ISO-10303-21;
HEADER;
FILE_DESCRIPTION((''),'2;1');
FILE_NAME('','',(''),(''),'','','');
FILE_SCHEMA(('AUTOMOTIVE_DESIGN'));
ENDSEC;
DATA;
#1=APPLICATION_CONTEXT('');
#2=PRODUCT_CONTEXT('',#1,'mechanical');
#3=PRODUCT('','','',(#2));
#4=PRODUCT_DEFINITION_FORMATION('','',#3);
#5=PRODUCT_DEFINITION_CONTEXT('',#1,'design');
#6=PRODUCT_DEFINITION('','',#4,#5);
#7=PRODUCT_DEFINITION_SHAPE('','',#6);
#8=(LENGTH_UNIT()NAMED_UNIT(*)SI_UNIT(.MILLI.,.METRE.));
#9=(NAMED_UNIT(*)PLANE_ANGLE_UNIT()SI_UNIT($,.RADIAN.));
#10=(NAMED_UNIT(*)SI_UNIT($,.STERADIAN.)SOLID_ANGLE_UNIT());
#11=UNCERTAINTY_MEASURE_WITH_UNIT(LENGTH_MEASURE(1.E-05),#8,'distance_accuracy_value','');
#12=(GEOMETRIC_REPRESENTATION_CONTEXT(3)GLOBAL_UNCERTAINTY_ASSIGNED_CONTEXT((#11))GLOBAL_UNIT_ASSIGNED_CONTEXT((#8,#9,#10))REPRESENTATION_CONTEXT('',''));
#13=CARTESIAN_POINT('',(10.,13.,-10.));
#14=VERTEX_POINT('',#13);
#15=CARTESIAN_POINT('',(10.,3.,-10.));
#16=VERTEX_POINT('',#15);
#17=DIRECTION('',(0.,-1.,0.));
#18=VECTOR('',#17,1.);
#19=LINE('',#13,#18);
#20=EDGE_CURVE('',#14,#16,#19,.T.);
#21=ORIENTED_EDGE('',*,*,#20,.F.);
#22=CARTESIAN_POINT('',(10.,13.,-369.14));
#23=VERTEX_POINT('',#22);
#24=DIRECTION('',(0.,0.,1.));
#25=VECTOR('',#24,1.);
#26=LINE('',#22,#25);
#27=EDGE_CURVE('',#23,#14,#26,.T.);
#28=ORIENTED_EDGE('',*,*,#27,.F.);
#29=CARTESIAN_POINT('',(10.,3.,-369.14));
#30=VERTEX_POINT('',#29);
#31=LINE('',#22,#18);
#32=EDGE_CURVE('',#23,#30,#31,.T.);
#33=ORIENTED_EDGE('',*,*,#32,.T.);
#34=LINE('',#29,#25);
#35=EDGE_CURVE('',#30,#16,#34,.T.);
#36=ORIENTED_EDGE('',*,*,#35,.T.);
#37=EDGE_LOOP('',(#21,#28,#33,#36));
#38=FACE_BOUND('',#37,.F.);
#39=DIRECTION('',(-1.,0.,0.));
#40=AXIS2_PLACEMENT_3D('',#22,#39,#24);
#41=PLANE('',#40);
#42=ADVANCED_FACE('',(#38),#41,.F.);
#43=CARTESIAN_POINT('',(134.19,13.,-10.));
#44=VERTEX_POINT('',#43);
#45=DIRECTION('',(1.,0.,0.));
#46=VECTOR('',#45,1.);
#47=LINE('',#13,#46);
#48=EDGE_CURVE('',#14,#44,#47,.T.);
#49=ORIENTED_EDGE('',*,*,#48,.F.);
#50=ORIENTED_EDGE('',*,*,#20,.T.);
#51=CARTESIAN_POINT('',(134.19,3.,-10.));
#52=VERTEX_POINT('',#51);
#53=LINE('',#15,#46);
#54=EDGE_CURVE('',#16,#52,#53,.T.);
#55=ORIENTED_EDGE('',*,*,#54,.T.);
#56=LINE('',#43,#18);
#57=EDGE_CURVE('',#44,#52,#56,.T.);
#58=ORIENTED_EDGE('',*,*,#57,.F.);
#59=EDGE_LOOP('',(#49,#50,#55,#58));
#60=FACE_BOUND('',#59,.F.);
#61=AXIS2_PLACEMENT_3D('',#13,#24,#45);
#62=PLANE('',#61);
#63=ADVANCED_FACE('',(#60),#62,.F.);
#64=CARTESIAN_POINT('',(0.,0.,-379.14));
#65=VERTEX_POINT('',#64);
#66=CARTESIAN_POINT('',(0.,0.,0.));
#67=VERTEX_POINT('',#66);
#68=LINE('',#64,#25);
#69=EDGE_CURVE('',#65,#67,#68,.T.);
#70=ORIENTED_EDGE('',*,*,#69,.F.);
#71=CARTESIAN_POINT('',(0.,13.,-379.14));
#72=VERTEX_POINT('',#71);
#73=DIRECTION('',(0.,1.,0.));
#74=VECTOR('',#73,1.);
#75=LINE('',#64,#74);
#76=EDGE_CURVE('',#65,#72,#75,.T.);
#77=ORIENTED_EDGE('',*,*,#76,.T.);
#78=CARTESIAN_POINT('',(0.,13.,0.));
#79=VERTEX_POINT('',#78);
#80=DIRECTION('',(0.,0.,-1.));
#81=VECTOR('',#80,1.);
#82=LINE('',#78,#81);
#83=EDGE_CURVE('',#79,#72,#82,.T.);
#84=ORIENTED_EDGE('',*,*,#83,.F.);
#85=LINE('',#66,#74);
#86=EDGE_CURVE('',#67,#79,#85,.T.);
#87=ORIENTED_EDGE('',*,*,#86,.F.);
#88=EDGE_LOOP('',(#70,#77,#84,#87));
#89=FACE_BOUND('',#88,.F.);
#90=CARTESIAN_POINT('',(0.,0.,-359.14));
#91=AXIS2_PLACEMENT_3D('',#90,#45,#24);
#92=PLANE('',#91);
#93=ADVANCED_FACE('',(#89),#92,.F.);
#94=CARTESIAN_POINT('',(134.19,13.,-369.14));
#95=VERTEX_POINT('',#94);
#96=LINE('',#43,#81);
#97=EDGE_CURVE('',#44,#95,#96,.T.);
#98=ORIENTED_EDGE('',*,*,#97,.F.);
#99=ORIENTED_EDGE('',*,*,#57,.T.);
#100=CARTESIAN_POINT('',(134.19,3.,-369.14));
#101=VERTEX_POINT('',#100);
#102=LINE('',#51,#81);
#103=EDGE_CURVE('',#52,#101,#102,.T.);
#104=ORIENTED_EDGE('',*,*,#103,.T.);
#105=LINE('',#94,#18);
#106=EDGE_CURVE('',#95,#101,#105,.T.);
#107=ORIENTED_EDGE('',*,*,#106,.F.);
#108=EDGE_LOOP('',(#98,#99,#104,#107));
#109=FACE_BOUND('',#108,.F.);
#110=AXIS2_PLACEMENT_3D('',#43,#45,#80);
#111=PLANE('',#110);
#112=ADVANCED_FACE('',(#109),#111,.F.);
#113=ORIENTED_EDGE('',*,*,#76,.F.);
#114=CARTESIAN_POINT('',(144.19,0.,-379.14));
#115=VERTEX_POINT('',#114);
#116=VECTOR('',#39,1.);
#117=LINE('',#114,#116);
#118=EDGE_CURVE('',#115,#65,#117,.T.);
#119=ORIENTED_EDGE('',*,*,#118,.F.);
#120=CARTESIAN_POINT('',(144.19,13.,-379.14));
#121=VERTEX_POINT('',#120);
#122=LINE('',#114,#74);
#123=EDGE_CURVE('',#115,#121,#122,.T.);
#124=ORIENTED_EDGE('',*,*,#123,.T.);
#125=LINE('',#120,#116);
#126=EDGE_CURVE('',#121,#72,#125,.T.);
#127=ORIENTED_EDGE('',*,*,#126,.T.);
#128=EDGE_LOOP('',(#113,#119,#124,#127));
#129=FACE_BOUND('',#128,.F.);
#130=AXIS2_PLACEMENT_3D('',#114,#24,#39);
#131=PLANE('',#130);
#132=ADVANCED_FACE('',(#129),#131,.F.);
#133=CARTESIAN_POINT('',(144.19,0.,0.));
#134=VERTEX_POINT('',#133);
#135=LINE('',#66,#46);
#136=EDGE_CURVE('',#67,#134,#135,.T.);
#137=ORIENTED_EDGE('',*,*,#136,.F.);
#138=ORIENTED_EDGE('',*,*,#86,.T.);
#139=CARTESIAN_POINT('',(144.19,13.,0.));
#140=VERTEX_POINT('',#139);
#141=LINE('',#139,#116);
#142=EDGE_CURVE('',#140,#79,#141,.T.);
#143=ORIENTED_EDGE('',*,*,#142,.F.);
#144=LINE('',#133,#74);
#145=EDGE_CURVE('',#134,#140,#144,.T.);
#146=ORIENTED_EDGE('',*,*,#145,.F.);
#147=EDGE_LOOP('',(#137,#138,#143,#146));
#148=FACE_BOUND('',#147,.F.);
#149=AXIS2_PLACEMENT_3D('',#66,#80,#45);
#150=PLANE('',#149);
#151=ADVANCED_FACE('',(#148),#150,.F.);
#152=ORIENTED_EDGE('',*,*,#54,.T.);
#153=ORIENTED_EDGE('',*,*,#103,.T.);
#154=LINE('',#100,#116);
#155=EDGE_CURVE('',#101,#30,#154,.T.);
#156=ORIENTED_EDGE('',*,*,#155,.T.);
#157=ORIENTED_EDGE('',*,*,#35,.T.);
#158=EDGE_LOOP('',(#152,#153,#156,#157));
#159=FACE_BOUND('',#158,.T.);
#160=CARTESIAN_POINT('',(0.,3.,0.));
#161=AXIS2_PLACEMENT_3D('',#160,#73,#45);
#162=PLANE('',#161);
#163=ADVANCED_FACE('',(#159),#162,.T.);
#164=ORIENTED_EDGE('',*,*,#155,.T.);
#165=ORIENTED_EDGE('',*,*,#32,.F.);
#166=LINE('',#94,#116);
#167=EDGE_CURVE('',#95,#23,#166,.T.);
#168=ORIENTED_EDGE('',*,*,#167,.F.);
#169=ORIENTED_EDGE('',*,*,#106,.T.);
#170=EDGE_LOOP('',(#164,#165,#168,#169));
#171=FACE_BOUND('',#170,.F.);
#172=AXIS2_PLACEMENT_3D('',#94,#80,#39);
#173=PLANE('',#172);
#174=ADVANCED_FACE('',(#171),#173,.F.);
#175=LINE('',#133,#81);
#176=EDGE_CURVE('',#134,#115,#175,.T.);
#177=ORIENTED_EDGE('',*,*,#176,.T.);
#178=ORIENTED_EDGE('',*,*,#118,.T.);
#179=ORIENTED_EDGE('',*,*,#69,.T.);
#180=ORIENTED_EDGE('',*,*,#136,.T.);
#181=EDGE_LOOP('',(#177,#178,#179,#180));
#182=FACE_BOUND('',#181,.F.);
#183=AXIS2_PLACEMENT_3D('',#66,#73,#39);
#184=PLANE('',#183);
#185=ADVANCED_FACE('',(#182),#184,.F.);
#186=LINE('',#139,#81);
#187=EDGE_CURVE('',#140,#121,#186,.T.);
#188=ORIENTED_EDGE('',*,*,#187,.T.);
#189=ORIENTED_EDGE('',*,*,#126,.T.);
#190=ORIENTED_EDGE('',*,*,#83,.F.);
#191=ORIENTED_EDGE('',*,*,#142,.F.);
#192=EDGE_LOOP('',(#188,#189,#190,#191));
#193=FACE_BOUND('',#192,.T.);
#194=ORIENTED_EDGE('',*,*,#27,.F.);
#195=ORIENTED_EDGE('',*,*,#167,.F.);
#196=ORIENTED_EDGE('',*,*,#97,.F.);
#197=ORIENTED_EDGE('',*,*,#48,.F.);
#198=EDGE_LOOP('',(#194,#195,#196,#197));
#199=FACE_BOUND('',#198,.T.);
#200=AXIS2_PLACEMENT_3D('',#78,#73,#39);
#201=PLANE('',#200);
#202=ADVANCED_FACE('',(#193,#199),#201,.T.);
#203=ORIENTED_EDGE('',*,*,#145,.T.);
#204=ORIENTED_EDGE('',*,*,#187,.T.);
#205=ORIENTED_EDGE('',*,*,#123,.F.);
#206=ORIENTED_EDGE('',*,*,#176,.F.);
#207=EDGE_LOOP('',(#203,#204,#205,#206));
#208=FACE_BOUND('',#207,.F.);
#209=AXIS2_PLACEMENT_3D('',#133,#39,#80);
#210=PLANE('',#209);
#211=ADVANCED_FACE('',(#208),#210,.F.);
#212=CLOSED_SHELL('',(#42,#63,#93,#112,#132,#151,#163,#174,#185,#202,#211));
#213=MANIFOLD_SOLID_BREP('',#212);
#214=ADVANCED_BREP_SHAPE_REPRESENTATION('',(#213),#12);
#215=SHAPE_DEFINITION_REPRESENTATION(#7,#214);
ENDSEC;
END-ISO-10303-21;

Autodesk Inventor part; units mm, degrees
ref_plane "YZ Plane" through (0, 0, 0) normal (1, 0, 0) x (0, 1, 0)
ref_plane "XZ Plane" through (0, 0, 0) normal (0, 1, 0) x (-1, 0, 0)
ref_plane "XY Plane" through (0, 0, 0) normal (0, 0, 1) x (1, 0, 0)
sketch "Sketch1" plane through (0, 0, 0) normal (0, 1, 0) x (-1, 0, 0)
  point P0 (0, 0)
sketch "Sketch2" plane through (0, 0, 0) normal (0, 1, 0) x (-1, 0, 0)
  line L0 (0, 0) -> (-144.19, 0)
  line L1 (-144.19, 0) -> (-144.19, -379.14)
  line L2 (-144.19, -379.14) -> (0, -379.14)
  line L3 (0, -379.14) -> (0, 0)
  line L4 (0, 0) -> (-124.19, 0)
  line L5 (-124.19, 0) -> (-124.19, -359.14)
  line L6 (-124.19, -359.14) -> (0, -359.14)
  line L7 (0, -359.14) -> (0, 0)
  dimension "d0" = 144.19
  dimension "d1" = 379.14
  dimension "d2" = 124.19
  dimension "d3" = 359.14
extrude "Extrusion1" add sketch "Sketch2" along normal blind 13
sketch "Sketch3" plane through (0, 13, 0) normal (0, 1, 0) x (1, 0, 0)
  line L0 (10, 10) -> (134.19, 10)
  line L1 (134.19, 10) -> (134.19, 369.14)
  line L2 (134.19, 369.14) -> (10, 369.14)
  line L3 (10, 369.14) -> (10, 10)
  line L4 (144.19, 379.14) -> (0, 379.14) projected
  line L5 (0, 379.14) -> (0, 0) projected
  dimension "d6" = 124.19
  dimension "d7" = 359.14
  dimension "d8" = 10
  dimension "d9" = 10
extrude "Extrusion2" cut sketch "Sketch3" against normal blind 10
properties part number "Keyboard-bottom"
